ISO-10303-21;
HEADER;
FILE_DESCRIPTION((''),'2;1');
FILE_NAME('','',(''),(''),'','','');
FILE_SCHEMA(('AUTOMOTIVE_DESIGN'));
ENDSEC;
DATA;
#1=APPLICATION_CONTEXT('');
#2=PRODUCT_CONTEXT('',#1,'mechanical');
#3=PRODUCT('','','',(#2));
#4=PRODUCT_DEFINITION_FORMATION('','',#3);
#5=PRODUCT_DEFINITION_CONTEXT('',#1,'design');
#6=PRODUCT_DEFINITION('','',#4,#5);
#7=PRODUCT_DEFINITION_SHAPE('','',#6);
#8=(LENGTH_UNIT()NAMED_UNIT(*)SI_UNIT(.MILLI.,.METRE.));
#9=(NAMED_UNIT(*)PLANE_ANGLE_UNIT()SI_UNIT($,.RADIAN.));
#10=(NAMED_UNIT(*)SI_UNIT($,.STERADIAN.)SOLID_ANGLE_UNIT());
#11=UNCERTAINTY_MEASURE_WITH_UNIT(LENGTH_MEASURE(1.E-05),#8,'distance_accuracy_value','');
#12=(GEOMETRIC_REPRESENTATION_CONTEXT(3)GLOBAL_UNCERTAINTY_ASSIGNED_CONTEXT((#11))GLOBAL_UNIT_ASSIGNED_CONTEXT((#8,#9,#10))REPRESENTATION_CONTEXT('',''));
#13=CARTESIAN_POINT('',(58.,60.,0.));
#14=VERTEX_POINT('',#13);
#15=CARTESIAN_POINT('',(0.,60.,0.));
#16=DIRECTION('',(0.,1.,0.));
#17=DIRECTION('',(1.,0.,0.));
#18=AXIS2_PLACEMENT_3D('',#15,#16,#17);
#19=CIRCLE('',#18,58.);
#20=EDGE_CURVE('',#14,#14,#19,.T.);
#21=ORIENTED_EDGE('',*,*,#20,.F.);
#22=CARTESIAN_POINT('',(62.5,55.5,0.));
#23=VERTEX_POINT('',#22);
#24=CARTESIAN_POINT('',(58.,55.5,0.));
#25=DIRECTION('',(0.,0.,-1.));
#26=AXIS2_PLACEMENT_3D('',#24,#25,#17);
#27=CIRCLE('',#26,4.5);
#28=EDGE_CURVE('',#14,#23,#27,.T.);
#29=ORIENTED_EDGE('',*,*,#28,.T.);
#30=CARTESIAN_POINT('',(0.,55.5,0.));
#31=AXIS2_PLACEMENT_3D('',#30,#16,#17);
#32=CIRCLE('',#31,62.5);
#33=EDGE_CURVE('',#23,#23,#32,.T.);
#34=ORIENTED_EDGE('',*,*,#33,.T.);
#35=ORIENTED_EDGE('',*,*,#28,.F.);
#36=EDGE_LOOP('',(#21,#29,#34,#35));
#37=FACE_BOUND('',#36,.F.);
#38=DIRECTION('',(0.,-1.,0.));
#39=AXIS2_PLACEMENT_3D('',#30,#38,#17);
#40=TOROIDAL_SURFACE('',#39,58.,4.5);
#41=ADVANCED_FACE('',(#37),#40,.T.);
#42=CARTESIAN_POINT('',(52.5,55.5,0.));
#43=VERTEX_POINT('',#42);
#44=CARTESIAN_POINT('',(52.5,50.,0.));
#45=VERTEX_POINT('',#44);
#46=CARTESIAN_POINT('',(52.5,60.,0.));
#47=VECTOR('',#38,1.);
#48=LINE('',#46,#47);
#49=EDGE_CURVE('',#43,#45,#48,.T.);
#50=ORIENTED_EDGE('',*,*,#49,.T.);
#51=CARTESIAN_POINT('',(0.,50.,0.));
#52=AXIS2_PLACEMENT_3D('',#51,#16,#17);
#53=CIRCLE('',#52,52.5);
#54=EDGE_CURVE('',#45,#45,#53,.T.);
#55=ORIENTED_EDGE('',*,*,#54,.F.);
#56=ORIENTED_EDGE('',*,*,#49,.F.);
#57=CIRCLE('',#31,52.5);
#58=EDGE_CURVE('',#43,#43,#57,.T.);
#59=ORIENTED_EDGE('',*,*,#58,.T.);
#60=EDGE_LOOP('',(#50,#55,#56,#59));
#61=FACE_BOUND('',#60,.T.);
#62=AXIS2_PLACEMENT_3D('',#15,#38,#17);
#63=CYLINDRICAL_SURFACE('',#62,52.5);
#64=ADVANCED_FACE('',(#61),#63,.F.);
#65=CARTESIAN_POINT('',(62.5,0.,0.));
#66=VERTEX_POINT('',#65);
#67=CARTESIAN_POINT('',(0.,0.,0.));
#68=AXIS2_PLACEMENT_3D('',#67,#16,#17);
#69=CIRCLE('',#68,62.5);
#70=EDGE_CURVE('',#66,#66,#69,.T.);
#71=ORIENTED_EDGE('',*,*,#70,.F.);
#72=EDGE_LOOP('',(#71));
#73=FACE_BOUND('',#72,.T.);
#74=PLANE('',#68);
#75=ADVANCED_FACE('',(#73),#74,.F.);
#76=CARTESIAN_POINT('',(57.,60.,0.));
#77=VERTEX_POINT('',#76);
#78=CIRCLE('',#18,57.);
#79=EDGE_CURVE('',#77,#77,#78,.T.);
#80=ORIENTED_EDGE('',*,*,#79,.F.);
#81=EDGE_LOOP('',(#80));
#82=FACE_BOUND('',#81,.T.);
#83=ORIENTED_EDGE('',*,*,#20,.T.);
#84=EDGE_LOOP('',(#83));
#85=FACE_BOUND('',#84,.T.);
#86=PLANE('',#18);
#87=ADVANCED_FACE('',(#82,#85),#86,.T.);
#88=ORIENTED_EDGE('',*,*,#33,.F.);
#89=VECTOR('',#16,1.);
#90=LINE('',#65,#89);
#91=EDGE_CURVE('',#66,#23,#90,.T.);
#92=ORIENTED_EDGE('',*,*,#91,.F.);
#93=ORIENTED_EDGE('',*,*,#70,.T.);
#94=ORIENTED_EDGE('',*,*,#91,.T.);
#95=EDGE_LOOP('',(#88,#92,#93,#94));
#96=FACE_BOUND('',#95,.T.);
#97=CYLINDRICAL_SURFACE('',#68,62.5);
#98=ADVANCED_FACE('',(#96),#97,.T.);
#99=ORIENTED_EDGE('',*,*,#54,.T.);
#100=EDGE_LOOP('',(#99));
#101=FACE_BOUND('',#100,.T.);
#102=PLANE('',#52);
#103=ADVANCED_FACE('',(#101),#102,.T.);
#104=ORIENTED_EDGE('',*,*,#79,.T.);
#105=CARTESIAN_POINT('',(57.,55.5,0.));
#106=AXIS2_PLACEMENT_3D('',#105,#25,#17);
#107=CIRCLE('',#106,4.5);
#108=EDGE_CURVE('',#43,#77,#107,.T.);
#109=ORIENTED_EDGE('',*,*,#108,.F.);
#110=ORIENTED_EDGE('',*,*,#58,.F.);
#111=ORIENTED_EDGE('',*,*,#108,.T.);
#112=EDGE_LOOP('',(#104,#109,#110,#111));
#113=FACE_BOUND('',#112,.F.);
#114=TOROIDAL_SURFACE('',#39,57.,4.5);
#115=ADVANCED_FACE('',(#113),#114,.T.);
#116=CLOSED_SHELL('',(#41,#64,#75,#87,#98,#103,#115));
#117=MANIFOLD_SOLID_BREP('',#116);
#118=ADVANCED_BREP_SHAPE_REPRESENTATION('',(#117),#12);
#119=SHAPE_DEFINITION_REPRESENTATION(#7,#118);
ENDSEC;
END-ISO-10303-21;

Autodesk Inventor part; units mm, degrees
ref_plane "YZ Plane" through (0, 0, 0) normal (1, 0, 0) x (0, 1, 0)
ref_plane "XZ Plane" through (0, 0, 0) normal (0, 1, 0) x (-1, 0, 0)
ref_plane "XY Plane" through (0, 0, 0) normal (0, 0, 1) x (1, 0, 0)
sketch "Sketch1" plane through (0, 0, 0) normal (0, 0, 1) x (1, 0, 0)
  line L0 (0, 0) -> (0, 50)
  line L1 (0, 0) -> (62.5, 0)
  line L2 (62.5, 0) -> (62.5, 60)
  line L3 (62.5, 60) -> (52.5, 60)
  line L4 (52.5, 60) -> (52.5, 50)
  line L5 (52.5, 50) -> (0, 50)
  dimension "d0" = 125
  dimension "d1" = 60
  dimension "d2" = 50
  dimension "d3" = 10
revolve "Revolution1" add sketch "Sketch1" angle 360 about axis through (0, 0, 0) along (0, 1, 0)
fillet "Fillet1" radius 4.5 2 edges at (-62.5, 60, 0) (-52.5, 60, 0)
properties part number "Base"
